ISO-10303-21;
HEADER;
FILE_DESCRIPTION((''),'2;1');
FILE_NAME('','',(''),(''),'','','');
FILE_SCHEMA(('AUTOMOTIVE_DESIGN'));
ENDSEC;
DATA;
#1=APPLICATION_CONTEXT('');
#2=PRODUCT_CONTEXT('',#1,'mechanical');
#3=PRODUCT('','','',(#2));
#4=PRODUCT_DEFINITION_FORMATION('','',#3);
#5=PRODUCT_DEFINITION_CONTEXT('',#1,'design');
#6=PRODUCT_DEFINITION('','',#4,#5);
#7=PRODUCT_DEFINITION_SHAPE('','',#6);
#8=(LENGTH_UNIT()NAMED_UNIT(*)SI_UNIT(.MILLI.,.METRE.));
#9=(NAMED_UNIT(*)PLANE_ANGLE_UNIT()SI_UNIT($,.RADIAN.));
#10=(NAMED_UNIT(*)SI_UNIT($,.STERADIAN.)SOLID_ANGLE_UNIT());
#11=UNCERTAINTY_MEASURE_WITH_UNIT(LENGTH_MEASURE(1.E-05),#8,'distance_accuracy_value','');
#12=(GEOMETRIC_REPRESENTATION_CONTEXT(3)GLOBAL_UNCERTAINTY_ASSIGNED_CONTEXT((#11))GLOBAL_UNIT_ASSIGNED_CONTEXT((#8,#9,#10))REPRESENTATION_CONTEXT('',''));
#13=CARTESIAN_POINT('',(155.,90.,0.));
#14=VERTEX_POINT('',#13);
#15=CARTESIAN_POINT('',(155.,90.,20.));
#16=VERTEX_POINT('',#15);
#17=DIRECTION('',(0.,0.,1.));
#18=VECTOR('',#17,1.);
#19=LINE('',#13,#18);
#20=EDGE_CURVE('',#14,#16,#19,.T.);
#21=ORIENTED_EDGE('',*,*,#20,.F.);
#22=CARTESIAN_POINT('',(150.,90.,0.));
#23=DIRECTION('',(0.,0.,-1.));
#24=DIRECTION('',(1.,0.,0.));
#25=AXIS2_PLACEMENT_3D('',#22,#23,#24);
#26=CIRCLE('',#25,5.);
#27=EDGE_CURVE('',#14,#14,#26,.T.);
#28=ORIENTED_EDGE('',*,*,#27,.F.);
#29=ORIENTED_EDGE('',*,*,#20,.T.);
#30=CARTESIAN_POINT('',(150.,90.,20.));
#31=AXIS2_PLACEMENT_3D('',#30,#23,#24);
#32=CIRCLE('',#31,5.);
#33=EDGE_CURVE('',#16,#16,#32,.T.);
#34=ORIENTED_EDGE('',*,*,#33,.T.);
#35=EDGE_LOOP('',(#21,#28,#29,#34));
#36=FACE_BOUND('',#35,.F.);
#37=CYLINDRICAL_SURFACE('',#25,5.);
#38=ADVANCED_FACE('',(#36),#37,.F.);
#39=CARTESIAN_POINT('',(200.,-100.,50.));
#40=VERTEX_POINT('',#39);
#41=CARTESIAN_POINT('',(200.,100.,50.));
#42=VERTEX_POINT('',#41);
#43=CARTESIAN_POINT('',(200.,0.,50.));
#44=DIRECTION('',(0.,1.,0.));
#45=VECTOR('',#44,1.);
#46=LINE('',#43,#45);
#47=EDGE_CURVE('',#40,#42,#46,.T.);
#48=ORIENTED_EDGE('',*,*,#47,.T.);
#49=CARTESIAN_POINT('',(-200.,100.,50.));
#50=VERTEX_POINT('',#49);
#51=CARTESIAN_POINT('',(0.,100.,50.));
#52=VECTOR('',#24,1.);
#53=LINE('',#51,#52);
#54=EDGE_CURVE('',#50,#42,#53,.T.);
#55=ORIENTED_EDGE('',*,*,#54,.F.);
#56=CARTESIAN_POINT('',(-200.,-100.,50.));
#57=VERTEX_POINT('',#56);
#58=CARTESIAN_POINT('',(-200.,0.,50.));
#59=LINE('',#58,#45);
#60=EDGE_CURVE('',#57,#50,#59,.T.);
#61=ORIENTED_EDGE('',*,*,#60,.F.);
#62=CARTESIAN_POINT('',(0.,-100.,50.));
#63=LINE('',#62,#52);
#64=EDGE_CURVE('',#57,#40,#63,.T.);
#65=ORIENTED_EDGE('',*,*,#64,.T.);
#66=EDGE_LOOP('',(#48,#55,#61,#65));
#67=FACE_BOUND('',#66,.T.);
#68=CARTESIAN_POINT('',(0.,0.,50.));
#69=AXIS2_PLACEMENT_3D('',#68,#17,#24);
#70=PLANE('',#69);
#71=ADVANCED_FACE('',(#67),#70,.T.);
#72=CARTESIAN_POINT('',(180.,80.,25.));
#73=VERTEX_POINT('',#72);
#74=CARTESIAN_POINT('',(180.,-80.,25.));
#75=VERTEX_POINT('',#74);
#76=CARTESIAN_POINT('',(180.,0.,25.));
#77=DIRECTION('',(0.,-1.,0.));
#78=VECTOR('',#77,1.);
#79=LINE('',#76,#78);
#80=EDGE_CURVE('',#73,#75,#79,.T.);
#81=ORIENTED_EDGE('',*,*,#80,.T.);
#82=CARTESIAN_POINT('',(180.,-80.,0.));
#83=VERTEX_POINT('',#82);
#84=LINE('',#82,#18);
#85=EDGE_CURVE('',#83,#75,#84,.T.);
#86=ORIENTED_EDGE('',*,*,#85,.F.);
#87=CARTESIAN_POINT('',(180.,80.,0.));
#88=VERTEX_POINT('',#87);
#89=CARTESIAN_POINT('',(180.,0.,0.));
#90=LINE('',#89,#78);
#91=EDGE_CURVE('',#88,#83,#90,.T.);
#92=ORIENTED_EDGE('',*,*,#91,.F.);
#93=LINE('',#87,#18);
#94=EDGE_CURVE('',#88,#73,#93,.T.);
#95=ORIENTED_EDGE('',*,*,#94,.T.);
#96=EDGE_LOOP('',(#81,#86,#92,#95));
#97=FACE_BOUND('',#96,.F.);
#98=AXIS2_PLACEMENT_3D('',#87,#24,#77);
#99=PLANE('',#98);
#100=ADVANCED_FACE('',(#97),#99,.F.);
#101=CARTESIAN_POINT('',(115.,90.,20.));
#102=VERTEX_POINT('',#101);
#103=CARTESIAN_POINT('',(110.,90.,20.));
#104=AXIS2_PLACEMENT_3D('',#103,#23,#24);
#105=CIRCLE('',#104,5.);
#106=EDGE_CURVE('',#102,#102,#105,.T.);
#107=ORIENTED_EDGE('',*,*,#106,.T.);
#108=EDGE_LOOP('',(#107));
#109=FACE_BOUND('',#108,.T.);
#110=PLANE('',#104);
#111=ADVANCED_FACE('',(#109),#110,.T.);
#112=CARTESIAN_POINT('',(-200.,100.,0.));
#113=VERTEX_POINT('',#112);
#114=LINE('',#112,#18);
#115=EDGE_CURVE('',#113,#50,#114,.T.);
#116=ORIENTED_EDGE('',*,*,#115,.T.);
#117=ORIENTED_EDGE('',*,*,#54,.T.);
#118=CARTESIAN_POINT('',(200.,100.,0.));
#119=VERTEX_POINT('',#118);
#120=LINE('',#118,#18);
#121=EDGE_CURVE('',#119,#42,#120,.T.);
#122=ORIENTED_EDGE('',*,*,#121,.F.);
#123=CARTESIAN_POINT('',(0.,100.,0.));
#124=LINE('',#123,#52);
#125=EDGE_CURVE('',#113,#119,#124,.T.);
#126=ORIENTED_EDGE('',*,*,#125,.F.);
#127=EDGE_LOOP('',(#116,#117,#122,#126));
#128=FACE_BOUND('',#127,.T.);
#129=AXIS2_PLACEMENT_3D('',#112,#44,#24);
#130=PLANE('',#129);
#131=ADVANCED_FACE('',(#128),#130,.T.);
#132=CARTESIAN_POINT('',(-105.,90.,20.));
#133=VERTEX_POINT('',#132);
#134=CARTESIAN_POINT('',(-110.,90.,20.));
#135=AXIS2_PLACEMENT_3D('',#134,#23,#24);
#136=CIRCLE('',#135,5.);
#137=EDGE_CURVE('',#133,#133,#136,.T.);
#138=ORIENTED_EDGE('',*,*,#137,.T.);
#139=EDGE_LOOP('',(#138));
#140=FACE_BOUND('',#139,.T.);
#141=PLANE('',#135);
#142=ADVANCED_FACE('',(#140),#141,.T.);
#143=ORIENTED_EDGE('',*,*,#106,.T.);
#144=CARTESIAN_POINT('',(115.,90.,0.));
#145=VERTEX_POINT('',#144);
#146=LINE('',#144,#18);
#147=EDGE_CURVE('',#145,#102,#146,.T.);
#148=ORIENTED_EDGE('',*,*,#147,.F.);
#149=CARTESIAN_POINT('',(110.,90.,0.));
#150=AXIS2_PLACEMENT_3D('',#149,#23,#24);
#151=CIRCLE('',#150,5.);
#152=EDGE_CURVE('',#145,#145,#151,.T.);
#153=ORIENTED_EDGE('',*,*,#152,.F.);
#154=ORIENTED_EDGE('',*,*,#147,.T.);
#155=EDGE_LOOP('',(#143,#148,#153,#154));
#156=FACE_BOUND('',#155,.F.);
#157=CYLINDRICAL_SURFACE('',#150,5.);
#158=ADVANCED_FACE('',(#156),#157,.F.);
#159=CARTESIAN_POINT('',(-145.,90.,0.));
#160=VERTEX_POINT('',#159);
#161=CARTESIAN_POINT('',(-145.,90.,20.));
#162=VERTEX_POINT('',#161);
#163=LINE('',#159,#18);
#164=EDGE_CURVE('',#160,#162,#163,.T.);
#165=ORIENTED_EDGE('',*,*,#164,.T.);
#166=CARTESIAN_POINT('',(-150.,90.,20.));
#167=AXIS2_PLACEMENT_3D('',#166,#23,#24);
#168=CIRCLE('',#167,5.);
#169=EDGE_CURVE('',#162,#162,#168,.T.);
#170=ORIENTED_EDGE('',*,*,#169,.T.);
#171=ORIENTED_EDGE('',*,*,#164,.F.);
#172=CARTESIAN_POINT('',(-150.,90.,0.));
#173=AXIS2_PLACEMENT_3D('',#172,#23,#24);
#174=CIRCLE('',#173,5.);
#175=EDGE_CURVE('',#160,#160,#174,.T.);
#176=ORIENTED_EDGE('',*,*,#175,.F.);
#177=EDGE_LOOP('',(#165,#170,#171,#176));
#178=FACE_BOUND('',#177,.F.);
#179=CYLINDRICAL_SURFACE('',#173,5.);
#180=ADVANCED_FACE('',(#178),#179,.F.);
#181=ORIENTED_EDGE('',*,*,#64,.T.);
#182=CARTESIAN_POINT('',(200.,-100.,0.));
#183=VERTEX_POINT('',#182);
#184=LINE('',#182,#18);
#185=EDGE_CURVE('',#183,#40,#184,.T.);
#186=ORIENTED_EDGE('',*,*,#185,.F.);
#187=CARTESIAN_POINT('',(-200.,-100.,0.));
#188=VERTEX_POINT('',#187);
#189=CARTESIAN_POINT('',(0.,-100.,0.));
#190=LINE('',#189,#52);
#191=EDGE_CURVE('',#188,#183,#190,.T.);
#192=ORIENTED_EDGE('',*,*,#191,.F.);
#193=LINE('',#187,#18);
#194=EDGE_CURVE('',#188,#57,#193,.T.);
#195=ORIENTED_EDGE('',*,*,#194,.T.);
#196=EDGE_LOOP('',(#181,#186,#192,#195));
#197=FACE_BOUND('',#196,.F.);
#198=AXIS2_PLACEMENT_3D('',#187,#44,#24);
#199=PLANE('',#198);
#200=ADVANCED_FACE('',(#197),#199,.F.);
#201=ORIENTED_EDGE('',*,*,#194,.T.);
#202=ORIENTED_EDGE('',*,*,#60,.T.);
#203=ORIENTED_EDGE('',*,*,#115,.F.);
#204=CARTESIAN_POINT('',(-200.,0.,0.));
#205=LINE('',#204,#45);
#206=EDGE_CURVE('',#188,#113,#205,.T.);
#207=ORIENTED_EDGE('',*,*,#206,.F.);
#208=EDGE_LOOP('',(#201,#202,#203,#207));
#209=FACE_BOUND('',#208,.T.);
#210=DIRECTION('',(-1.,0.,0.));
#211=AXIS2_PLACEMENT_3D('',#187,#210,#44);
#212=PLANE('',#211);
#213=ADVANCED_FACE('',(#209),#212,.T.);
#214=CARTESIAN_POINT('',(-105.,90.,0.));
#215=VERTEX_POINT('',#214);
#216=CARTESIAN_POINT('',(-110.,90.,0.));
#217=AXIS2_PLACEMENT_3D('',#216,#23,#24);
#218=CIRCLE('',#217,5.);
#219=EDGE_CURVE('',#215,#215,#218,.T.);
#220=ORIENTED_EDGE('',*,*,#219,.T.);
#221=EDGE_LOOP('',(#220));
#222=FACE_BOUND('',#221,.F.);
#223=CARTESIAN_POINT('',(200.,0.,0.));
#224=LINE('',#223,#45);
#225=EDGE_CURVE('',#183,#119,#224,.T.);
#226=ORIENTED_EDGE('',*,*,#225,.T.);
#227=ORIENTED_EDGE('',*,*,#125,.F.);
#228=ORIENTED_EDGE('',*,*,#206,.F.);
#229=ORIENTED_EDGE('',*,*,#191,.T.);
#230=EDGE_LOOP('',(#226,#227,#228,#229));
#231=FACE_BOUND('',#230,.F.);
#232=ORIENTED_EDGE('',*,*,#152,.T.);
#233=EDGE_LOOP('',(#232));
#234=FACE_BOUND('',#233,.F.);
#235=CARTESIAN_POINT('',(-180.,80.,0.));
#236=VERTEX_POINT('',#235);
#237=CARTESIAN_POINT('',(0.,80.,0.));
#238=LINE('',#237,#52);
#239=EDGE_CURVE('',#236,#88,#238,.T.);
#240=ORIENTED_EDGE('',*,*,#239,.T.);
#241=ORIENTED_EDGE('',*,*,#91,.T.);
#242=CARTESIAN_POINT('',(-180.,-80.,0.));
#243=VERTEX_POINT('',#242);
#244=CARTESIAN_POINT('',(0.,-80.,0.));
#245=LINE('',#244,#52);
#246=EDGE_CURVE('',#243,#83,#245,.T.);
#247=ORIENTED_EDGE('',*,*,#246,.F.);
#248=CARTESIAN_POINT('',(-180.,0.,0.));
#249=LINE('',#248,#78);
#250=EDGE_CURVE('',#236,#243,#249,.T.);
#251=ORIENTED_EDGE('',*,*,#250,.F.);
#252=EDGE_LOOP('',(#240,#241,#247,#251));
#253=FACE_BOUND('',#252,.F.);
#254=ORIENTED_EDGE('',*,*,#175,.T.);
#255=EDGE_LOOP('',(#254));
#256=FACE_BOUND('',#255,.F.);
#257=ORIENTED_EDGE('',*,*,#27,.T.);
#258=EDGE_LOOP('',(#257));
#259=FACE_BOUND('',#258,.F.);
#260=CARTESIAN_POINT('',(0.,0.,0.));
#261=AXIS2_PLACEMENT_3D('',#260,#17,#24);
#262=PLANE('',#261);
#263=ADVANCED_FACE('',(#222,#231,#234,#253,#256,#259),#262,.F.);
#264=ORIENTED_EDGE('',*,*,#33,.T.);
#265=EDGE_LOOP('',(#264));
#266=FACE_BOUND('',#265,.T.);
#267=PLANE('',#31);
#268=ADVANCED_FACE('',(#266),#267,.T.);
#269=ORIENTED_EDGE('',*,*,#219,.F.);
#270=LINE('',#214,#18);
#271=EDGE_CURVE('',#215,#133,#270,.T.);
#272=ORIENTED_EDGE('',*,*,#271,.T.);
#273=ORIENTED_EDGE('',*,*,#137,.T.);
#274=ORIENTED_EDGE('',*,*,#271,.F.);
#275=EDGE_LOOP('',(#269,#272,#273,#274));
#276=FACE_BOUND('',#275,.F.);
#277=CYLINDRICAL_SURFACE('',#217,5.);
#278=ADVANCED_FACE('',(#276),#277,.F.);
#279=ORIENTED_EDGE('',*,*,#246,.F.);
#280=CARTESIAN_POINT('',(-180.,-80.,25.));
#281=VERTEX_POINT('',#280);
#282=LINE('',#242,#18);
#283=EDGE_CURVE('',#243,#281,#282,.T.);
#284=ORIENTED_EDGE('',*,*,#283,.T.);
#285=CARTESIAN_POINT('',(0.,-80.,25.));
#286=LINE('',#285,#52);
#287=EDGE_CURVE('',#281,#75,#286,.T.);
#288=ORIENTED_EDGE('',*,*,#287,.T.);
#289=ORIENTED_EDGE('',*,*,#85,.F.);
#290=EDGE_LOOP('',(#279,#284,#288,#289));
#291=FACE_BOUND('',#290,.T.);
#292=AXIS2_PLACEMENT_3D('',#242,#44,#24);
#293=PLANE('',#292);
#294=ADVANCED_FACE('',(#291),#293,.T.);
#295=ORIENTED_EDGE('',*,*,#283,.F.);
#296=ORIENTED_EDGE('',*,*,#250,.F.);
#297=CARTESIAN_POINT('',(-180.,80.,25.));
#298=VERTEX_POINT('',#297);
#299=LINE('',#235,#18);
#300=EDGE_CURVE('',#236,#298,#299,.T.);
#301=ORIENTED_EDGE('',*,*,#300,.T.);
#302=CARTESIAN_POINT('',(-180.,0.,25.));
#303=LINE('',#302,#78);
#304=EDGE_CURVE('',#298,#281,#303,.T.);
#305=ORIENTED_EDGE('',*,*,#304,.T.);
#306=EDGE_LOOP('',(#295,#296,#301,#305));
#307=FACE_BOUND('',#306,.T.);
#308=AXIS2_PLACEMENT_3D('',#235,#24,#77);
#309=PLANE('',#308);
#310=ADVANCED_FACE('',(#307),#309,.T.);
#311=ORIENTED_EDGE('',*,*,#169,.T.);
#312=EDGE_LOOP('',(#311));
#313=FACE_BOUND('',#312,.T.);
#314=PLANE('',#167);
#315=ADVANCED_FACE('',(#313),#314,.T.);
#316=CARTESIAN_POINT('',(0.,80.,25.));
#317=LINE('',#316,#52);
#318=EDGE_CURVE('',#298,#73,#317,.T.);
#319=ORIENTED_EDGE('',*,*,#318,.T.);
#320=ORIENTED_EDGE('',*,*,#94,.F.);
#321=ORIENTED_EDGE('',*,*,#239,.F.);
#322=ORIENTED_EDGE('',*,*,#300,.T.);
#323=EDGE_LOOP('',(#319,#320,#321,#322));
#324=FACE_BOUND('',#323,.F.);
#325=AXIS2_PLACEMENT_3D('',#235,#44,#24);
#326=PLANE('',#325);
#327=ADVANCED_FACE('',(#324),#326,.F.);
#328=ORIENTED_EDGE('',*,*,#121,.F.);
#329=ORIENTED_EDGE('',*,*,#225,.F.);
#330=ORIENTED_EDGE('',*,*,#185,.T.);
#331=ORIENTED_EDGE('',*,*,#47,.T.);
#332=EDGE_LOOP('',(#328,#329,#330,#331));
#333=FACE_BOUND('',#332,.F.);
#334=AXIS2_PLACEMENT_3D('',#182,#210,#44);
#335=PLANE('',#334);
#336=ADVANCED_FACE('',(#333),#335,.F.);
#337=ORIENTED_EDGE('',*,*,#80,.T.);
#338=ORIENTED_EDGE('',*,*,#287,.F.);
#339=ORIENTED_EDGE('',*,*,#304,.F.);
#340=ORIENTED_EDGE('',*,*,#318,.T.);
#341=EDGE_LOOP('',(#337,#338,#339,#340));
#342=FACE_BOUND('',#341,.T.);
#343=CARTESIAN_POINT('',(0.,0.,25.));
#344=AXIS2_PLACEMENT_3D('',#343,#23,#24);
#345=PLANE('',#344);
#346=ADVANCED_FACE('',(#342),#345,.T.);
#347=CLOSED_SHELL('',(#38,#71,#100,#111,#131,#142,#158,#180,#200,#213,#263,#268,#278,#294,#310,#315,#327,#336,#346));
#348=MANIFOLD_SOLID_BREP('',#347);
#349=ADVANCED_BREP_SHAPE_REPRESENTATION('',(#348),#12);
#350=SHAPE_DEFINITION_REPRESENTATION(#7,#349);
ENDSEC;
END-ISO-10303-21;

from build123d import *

# Parameters (mm, degrees)
F0_W     = 400
F0_H     = 200
F1_DEPTH = 50
F2_W     = 360
F2_H     = 160
F3_DEPTH = 25
F4_R     = 5
F5_DEPTH = 20


with BuildPart() as f1:
    # F0 (on Top) → F1 (new body)
    with BuildSketch(Plane.XY):
        Rectangle(F0_W, F0_H)
    extrude(amount=F1_DEPTH)

    # F2 (on face) → F3 (cut)
    with BuildSketch(Plane(origin=(0, 0, 0), x_dir=(1, 0, 0), z_dir=(0, 0, -1))):
        Rectangle(F2_W, F2_H)
    extrude(amount=-F3_DEPTH, mode=Mode.SUBTRACT)

    # F4 (on face) → F5 (cut)
    with BuildSketch(Plane(origin=(0, 0, 0), x_dir=(1, 0, 0), z_dir=(0, 0, -1))):
        with Locations((-150, -90)):
            Circle(F4_R)
        with Locations((-110, -90)):
            Circle(F4_R)
        with Locations((110, -90)):
            Circle(F4_R)
        with Locations((150, -90)):
            Circle(F4_R)
    extrude(amount=-F5_DEPTH, mode=Mode.SUBTRACT)


solid = f1.part
